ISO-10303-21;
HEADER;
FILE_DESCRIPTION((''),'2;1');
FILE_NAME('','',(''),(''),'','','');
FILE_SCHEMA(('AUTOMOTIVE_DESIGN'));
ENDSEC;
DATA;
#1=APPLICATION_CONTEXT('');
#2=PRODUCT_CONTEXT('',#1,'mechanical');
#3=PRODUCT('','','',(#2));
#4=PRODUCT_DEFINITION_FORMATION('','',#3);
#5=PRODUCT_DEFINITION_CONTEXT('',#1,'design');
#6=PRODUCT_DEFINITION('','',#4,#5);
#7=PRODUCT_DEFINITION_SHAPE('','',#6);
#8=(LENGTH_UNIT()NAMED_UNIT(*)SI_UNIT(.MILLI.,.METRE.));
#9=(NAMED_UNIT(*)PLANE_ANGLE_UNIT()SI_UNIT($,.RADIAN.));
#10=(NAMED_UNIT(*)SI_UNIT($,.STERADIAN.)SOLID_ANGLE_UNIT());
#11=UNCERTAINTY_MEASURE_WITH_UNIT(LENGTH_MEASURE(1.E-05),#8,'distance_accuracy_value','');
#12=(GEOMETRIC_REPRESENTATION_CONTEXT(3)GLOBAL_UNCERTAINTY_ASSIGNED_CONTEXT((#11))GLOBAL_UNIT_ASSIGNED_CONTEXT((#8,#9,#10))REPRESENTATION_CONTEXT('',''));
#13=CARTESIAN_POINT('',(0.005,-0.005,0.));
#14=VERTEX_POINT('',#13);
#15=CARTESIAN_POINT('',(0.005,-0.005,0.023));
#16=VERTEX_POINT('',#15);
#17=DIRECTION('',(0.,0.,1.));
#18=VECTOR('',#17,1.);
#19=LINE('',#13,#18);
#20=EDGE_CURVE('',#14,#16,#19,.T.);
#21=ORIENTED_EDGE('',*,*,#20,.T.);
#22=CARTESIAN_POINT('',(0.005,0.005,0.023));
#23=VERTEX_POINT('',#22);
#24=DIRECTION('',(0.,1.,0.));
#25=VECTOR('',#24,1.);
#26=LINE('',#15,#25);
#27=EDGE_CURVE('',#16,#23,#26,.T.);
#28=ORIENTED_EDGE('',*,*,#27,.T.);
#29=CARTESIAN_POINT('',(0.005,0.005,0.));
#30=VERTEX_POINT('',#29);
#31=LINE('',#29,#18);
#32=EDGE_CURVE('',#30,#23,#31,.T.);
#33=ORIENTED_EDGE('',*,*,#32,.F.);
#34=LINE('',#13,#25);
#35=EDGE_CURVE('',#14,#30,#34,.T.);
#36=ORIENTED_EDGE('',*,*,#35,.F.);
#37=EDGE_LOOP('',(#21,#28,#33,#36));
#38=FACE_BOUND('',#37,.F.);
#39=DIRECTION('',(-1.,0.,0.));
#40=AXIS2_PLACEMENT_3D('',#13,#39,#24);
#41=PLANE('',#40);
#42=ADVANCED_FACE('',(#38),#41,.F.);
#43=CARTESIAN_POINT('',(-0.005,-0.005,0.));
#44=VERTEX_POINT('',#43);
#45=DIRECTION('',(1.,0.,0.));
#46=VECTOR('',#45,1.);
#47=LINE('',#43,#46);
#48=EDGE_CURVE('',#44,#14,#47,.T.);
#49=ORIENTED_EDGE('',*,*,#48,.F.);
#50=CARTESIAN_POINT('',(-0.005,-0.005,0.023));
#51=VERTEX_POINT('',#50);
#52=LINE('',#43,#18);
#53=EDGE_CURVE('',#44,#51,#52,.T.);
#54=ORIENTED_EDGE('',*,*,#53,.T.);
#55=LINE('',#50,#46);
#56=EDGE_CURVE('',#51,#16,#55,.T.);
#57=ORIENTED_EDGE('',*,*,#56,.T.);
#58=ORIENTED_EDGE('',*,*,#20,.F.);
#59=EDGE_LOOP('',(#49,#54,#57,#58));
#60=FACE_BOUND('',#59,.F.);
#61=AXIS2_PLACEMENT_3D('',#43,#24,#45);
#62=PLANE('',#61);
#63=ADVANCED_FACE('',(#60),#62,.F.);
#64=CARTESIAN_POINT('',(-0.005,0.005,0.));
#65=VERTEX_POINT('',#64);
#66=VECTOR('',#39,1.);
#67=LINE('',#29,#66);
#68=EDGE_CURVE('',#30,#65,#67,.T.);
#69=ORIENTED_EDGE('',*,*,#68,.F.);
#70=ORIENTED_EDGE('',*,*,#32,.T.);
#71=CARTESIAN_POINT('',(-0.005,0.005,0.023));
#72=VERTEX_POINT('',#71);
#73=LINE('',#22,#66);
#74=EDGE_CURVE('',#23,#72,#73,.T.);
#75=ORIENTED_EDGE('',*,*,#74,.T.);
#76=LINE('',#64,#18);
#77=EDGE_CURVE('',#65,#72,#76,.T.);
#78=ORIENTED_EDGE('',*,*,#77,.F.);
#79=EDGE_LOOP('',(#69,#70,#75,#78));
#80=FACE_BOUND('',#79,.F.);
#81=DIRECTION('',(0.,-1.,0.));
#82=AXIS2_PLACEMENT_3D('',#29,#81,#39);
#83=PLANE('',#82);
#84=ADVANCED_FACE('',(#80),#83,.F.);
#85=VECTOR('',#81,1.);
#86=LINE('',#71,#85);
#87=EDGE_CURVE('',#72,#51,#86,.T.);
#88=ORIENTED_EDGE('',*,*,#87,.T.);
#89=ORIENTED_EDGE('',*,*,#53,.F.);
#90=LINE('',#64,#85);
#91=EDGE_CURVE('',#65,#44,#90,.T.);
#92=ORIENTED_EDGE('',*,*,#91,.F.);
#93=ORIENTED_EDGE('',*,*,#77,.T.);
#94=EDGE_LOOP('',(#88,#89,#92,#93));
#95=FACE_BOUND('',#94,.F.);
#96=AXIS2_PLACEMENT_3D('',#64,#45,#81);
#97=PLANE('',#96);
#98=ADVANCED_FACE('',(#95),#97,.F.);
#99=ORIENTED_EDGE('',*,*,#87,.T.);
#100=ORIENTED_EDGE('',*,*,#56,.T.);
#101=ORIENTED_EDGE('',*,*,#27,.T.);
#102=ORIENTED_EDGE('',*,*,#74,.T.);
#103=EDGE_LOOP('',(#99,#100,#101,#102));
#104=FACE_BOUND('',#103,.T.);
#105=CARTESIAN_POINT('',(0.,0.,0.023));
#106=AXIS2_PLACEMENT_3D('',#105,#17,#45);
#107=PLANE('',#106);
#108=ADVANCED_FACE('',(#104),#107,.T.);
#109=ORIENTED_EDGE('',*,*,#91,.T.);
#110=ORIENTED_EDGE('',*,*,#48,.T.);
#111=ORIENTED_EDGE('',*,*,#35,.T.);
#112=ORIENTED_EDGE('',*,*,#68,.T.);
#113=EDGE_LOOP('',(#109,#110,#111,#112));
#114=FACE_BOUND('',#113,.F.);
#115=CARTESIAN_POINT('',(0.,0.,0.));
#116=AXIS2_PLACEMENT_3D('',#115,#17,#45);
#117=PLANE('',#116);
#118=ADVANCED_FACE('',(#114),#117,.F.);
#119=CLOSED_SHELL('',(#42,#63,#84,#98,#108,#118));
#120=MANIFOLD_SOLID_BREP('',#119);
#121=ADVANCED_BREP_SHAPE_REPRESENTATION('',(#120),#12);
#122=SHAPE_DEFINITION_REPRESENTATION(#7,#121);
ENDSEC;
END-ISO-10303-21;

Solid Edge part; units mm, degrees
sketch "Sketch1" plane through (0, 0, 0) normal (0, 0, 1) x (1, 0, 0)
  line L0 (-0.005, -0.005) -> (0.005, -0.005)
  line L1 (0.005, -0.005) -> (0.005, 0.005)
  line L2 (0.005, 0.005) -> (-0.005, 0.005)
  line L3 (-0.005, 0.005) -> (-0.005, -0.005)
  dimension "D1" = 0.01
extrude "Protrusion1" add sketch "Sketch1" along normal blind 0.023
